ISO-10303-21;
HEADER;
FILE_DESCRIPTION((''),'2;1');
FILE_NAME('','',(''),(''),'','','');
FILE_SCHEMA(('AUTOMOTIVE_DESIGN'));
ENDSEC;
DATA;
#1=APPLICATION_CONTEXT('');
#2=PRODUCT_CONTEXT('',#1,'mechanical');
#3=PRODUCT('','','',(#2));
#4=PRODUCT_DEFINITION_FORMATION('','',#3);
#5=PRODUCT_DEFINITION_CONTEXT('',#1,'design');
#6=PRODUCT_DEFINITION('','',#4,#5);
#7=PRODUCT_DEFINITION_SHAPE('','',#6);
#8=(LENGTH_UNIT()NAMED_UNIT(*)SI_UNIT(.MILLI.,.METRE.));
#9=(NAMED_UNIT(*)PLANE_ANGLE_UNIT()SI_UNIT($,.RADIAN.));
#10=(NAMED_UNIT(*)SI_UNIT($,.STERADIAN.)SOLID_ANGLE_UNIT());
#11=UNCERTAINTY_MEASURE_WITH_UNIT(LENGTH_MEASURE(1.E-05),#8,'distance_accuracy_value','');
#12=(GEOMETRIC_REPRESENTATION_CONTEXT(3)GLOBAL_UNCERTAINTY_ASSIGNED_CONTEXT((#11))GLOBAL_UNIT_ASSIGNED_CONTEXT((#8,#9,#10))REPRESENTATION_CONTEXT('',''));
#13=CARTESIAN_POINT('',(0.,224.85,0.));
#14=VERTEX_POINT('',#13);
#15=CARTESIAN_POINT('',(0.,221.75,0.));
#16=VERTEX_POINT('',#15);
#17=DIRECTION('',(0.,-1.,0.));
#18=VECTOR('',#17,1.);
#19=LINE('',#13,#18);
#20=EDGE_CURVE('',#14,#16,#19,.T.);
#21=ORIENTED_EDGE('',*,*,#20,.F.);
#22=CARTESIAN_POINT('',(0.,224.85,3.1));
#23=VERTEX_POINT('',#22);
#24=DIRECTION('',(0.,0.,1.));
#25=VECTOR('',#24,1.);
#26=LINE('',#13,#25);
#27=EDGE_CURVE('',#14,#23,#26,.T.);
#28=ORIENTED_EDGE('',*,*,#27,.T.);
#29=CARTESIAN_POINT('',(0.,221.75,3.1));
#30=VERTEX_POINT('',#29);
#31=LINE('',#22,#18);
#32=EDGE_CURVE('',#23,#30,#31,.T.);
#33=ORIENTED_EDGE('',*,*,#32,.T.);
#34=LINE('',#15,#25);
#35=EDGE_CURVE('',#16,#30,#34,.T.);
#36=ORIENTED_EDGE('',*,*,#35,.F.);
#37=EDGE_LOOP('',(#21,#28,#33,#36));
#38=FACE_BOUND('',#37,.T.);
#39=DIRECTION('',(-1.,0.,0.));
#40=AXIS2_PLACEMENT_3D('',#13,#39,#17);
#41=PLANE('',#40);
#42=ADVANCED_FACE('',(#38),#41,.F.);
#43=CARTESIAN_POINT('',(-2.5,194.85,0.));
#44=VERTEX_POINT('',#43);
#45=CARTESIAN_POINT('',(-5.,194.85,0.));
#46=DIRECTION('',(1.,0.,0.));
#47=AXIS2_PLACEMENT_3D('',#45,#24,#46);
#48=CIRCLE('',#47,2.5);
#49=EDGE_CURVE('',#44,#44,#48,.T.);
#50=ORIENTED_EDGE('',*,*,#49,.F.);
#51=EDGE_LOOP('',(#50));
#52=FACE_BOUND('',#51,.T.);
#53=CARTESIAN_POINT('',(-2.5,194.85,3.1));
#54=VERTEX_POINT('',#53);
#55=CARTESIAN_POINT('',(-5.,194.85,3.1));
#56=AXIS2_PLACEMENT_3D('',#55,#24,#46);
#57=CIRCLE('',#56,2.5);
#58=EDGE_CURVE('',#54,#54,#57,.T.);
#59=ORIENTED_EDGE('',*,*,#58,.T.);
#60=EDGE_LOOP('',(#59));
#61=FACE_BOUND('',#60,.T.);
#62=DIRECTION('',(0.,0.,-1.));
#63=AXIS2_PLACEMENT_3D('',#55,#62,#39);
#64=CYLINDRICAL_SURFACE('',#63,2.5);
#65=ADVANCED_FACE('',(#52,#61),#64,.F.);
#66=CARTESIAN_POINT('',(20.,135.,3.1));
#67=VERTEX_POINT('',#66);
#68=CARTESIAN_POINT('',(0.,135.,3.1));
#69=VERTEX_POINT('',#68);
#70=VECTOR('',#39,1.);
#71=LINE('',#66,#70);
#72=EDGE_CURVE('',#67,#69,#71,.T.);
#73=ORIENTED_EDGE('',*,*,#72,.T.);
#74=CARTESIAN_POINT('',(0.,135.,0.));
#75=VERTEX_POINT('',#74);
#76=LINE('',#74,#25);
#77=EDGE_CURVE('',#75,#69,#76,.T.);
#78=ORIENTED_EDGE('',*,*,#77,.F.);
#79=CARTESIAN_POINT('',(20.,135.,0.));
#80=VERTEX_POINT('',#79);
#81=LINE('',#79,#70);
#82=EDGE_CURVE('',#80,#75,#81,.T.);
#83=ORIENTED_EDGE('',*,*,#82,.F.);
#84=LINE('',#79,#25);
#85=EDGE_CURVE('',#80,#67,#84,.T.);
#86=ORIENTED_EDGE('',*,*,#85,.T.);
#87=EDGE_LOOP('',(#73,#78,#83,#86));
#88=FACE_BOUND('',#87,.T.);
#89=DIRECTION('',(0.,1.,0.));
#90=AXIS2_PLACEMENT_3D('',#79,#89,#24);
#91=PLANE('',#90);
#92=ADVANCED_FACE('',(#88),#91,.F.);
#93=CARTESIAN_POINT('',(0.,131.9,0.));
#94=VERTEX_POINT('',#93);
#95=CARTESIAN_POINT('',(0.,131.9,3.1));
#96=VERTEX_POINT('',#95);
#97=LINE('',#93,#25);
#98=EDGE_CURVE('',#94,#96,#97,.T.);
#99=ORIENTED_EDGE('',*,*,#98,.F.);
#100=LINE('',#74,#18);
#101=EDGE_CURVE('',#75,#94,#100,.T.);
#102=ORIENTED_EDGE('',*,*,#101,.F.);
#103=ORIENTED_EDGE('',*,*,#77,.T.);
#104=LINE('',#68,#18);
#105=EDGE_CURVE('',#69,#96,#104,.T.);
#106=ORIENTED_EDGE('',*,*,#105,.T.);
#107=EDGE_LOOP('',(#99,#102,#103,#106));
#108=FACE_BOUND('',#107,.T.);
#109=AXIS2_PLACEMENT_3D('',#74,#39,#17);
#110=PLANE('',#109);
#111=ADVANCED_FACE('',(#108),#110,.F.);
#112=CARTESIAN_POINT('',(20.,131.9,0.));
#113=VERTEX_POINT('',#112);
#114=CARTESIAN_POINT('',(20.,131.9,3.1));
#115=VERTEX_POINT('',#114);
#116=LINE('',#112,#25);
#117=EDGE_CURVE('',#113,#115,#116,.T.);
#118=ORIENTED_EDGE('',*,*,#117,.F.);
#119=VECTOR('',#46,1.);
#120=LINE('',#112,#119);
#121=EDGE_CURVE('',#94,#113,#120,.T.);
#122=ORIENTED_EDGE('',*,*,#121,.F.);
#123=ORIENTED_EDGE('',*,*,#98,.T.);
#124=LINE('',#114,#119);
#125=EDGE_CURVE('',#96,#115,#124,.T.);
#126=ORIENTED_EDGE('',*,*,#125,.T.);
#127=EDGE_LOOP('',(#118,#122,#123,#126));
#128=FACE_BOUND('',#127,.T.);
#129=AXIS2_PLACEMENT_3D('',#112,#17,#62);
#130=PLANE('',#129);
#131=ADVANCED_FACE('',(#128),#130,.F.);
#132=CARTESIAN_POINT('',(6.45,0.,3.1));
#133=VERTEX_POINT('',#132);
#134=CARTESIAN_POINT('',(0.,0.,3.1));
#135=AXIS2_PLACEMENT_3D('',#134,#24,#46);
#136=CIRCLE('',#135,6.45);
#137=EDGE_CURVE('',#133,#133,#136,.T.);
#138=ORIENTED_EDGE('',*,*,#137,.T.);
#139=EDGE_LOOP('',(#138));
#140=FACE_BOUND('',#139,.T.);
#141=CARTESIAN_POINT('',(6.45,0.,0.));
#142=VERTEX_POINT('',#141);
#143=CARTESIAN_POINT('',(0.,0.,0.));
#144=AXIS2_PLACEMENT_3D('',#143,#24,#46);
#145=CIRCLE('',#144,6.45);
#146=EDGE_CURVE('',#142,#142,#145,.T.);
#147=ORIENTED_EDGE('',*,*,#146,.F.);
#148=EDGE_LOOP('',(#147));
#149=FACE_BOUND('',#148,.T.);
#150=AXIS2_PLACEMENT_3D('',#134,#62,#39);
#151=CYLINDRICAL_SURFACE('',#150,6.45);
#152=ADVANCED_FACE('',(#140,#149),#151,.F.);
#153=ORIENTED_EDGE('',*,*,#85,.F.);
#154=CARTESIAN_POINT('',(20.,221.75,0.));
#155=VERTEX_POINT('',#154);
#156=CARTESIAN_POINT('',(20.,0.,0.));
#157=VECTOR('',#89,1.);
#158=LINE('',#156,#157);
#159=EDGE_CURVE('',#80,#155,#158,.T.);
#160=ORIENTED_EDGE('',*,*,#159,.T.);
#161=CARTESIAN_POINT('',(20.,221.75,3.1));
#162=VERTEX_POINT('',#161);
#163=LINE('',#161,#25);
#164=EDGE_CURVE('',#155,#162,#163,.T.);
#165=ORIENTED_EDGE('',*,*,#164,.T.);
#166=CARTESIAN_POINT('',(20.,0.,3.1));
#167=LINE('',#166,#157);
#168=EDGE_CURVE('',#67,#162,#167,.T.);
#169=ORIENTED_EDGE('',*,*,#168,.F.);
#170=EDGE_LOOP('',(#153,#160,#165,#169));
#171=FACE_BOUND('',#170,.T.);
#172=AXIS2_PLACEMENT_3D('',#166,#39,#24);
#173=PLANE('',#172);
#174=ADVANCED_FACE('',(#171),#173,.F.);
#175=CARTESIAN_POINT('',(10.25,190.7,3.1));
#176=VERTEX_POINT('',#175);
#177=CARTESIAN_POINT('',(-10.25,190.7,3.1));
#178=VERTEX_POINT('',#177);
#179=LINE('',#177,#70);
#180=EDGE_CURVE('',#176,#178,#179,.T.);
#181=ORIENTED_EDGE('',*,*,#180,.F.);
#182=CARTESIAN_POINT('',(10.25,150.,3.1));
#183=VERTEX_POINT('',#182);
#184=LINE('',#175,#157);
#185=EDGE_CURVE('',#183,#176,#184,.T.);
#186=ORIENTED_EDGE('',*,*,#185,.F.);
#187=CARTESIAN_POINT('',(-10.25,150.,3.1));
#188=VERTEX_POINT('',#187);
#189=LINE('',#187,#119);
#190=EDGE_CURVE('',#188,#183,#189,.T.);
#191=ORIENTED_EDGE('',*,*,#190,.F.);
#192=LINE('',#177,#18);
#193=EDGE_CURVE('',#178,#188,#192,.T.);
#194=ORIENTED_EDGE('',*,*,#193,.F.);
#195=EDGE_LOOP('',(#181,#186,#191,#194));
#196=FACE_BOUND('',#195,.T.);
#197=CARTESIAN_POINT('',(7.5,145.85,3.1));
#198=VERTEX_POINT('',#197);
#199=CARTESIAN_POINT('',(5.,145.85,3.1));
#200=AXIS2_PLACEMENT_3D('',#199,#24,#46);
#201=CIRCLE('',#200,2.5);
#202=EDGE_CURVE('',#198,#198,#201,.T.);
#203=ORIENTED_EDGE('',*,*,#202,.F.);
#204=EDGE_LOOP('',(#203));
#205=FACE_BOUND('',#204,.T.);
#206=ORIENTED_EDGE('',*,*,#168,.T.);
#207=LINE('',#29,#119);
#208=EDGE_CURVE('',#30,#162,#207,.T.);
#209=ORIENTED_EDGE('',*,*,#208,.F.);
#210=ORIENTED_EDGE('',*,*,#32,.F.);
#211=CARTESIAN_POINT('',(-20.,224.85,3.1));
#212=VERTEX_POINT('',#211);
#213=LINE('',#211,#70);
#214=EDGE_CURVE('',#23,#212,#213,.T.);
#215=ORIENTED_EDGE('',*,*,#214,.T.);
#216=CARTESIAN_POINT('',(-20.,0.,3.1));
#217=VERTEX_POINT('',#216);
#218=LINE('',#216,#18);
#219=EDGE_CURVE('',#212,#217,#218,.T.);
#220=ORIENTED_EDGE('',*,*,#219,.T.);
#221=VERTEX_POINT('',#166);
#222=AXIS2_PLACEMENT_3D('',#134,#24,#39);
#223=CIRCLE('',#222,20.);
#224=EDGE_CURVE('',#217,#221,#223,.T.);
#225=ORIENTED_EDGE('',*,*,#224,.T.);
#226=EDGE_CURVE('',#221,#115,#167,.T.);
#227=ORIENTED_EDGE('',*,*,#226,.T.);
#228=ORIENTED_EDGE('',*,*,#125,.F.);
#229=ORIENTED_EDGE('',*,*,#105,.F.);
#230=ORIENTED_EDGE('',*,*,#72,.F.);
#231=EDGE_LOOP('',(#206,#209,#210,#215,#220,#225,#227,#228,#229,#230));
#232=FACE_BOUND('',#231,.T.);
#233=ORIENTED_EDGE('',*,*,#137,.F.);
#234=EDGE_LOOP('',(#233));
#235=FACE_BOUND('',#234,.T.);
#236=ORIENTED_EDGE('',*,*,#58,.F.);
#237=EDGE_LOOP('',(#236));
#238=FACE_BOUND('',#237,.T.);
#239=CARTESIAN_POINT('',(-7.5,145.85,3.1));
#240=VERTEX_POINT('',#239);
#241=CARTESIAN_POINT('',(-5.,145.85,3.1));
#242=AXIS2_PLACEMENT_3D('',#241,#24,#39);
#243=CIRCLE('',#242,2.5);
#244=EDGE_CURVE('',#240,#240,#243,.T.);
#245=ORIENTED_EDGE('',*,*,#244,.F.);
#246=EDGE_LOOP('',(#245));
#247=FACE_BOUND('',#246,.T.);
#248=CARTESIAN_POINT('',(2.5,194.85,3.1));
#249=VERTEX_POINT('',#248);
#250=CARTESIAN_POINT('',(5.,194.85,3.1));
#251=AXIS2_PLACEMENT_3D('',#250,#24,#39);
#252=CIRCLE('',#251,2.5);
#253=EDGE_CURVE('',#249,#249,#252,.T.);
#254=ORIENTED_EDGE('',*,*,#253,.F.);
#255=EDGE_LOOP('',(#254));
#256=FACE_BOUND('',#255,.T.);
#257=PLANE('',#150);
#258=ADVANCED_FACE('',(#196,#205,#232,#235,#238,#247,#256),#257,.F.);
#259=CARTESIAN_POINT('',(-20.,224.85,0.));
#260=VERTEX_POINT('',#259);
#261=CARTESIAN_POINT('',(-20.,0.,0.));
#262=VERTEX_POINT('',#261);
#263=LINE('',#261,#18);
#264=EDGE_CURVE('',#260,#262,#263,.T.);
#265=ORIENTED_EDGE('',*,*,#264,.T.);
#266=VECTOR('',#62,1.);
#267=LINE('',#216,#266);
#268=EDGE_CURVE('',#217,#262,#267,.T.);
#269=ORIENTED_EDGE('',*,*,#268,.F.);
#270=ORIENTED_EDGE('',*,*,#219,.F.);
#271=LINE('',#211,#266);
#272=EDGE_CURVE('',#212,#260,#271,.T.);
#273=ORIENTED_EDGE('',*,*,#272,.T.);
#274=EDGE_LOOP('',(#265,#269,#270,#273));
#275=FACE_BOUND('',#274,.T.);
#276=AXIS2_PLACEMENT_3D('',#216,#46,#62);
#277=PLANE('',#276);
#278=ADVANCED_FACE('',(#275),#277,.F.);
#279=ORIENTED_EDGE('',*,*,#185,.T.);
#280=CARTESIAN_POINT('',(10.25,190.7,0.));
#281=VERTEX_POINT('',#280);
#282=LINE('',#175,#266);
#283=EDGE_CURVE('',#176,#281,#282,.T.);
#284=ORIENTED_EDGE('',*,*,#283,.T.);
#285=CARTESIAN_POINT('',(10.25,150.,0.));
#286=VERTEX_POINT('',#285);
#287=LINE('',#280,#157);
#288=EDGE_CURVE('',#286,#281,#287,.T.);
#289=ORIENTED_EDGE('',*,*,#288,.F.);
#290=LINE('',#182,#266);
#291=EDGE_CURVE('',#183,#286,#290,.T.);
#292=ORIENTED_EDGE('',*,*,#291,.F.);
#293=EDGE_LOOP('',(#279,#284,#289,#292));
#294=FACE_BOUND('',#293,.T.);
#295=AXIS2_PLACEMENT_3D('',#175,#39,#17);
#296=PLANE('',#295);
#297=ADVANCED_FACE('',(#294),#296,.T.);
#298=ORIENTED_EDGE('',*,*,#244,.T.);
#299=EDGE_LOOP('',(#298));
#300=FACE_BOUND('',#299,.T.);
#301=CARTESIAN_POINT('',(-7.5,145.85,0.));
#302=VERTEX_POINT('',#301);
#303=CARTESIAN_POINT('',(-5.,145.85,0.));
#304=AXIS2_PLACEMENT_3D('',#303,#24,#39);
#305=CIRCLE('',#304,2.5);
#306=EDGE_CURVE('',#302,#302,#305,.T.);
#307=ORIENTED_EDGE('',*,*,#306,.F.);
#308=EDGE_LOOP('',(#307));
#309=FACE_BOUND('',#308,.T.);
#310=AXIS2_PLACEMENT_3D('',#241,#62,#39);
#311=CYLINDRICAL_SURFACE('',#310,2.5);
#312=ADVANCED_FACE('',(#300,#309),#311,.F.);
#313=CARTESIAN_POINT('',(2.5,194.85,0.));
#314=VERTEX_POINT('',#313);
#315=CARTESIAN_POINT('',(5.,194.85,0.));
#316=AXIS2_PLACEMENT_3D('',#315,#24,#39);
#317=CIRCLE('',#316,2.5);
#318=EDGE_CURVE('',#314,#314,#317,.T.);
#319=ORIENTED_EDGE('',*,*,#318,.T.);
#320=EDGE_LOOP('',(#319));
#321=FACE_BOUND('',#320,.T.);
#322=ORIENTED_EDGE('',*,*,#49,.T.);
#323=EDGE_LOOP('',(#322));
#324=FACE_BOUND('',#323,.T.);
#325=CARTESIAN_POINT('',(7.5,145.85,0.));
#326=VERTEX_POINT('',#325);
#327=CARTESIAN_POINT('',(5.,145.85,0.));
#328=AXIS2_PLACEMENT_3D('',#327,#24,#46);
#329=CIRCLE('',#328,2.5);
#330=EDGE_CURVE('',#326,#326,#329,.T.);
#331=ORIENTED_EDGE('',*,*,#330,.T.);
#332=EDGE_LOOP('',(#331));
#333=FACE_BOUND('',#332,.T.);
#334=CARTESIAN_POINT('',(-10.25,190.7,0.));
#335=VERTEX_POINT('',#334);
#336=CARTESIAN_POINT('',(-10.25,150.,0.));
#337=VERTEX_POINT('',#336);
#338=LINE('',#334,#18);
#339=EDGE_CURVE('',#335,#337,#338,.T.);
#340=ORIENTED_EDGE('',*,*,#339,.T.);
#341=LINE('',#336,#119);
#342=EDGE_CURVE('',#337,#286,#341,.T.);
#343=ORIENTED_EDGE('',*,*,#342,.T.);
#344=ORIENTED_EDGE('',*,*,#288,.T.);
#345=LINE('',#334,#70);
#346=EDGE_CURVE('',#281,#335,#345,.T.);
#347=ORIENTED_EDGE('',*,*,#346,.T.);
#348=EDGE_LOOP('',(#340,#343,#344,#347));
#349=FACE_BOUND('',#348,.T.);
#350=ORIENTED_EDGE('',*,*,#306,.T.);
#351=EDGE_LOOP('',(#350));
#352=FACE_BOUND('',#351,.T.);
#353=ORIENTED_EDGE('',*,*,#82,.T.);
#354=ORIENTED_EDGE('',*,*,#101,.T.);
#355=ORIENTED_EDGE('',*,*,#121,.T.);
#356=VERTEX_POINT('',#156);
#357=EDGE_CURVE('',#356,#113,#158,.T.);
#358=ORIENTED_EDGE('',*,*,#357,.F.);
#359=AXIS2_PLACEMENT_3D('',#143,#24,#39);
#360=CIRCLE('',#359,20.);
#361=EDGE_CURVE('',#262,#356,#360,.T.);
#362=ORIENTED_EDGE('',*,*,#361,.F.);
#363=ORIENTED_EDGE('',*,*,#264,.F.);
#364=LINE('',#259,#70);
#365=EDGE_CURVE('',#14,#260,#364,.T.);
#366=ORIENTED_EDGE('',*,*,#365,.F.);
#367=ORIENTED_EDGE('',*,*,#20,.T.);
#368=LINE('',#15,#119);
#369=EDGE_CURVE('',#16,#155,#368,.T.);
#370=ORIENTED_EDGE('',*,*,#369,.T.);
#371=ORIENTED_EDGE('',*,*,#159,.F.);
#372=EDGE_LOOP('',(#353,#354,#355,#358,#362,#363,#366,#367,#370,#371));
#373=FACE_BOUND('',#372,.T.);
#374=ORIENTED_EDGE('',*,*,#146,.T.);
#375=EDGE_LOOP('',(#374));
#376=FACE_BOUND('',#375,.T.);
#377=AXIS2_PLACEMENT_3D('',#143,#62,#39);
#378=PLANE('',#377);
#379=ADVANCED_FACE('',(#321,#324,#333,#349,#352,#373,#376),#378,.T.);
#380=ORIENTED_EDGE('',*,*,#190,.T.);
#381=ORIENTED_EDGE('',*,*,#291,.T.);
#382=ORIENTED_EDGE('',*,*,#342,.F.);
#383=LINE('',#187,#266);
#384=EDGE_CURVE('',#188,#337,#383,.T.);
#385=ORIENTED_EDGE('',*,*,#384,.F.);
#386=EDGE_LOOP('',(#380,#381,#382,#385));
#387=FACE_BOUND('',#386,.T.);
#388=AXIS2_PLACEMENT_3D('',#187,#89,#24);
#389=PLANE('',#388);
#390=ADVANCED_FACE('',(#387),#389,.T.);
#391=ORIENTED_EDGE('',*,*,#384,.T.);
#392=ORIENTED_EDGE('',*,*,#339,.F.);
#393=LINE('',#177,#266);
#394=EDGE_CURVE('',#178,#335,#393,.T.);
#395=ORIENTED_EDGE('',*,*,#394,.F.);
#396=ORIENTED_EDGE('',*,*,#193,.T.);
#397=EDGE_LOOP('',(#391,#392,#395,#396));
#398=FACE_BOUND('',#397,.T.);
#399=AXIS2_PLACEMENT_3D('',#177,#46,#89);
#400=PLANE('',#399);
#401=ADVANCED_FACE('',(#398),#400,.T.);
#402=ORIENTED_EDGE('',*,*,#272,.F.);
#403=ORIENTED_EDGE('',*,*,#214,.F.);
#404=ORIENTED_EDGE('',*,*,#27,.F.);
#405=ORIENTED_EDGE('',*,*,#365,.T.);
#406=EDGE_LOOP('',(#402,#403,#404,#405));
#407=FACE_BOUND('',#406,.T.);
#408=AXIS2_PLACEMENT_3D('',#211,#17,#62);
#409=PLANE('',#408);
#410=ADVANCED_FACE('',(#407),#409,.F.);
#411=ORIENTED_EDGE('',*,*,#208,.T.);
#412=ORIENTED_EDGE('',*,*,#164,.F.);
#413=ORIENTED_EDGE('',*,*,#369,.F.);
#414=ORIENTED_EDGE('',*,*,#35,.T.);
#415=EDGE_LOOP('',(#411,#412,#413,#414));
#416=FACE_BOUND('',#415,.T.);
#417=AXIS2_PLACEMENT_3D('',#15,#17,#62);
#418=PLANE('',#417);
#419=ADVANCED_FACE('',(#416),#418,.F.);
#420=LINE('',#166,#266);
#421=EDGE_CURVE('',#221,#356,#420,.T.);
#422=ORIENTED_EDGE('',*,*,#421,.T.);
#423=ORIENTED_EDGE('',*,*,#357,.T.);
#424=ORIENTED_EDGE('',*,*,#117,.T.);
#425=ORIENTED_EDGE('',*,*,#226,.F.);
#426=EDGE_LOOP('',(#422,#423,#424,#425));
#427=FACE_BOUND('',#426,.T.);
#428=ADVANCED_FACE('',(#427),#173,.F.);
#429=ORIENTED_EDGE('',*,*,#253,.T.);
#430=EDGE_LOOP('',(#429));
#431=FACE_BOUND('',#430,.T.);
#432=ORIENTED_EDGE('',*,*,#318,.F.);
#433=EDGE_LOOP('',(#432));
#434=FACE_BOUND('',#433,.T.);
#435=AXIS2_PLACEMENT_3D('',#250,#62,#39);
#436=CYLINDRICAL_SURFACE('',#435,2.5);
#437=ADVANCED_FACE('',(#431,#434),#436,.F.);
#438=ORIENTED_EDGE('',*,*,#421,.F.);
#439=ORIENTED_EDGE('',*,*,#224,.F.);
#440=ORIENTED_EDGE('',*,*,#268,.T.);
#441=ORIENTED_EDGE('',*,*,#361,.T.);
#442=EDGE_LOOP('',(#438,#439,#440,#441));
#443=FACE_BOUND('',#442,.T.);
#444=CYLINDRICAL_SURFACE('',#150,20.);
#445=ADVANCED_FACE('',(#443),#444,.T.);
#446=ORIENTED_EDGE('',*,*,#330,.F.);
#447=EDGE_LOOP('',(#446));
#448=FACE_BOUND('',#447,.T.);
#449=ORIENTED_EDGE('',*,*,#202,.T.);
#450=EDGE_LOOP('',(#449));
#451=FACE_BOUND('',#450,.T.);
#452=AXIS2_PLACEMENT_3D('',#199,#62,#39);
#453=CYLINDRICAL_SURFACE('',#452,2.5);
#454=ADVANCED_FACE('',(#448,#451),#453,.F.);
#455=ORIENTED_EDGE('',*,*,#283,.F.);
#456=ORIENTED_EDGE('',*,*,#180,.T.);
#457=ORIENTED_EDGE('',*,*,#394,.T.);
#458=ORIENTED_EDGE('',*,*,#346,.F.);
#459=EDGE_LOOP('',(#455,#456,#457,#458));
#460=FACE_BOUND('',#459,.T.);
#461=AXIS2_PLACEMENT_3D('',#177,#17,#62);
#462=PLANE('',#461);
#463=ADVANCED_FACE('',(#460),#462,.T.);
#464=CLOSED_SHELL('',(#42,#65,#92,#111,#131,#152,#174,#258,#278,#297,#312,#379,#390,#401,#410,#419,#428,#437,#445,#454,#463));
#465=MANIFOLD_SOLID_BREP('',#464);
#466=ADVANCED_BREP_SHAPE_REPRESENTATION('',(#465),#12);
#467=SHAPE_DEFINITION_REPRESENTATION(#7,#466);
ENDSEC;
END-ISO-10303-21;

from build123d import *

# Parameters (mm, degrees)
SKETCH1_R           = 6.45
SKETCH1_R_2         = 2.5
SKETCH1_W           = 20.5
SKETCH1_H           = 40.7
BOSS_EXTRUDE1_DEPTH = 3.1
SKETCH2_W           = 20.093106281
SKETCH2_H           = 3.1
SKETCH2_W_2         = 20
CUT_EXTRUDE1_DEPTH  = 4.1


with BuildPart() as part:
    # Sketch1 → Boss-Extrude1 (new body)
    with BuildSketch(Plane.XY):
        with BuildLine():
            Line((-20, 0), (-20, 224.85))
            Line((-20, 224.85), (20, 224.85))
            Line((20, 224.85), (20, 0))
            ThreePointArc((20, 0), (0, -20), (-20, 0))
        make_face()
        Circle(SKETCH1_R, mode=Mode.SUBTRACT)
        with Locations((5, 145.85)):
            Circle(SKETCH1_R_2, mode=Mode.SUBTRACT)
        with Locations((-5, 145.85)):
            Circle(SKETCH1_R_2, mode=Mode.SUBTRACT)
        with Locations((-5, 194.85)):
            Circle(SKETCH1_R_2, mode=Mode.SUBTRACT)
        with Locations((5, 194.85)):
            Circle(SKETCH1_R_2, mode=Mode.SUBTRACT)
        with Locations((0, 170.35)):
            Rectangle(SKETCH1_W, SKETCH1_H, mode=Mode.SUBTRACT)
    extrude(amount=BOSS_EXTRUDE1_DEPTH)

    # Sketch2 → Cut-Extrude1 (cut, through all)
    with BuildSketch(Plane.XY.offset(3.1)):
        with Locations((10.046553141, 223.3)):
            Rectangle(SKETCH2_W, SKETCH2_H)
        with Locations((10, 133.45)):
            Rectangle(SKETCH2_W_2, SKETCH2_H)
    extrude(amount=-CUT_EXTRUDE1_DEPTH, mode=Mode.SUBTRACT)


solid = part.part
